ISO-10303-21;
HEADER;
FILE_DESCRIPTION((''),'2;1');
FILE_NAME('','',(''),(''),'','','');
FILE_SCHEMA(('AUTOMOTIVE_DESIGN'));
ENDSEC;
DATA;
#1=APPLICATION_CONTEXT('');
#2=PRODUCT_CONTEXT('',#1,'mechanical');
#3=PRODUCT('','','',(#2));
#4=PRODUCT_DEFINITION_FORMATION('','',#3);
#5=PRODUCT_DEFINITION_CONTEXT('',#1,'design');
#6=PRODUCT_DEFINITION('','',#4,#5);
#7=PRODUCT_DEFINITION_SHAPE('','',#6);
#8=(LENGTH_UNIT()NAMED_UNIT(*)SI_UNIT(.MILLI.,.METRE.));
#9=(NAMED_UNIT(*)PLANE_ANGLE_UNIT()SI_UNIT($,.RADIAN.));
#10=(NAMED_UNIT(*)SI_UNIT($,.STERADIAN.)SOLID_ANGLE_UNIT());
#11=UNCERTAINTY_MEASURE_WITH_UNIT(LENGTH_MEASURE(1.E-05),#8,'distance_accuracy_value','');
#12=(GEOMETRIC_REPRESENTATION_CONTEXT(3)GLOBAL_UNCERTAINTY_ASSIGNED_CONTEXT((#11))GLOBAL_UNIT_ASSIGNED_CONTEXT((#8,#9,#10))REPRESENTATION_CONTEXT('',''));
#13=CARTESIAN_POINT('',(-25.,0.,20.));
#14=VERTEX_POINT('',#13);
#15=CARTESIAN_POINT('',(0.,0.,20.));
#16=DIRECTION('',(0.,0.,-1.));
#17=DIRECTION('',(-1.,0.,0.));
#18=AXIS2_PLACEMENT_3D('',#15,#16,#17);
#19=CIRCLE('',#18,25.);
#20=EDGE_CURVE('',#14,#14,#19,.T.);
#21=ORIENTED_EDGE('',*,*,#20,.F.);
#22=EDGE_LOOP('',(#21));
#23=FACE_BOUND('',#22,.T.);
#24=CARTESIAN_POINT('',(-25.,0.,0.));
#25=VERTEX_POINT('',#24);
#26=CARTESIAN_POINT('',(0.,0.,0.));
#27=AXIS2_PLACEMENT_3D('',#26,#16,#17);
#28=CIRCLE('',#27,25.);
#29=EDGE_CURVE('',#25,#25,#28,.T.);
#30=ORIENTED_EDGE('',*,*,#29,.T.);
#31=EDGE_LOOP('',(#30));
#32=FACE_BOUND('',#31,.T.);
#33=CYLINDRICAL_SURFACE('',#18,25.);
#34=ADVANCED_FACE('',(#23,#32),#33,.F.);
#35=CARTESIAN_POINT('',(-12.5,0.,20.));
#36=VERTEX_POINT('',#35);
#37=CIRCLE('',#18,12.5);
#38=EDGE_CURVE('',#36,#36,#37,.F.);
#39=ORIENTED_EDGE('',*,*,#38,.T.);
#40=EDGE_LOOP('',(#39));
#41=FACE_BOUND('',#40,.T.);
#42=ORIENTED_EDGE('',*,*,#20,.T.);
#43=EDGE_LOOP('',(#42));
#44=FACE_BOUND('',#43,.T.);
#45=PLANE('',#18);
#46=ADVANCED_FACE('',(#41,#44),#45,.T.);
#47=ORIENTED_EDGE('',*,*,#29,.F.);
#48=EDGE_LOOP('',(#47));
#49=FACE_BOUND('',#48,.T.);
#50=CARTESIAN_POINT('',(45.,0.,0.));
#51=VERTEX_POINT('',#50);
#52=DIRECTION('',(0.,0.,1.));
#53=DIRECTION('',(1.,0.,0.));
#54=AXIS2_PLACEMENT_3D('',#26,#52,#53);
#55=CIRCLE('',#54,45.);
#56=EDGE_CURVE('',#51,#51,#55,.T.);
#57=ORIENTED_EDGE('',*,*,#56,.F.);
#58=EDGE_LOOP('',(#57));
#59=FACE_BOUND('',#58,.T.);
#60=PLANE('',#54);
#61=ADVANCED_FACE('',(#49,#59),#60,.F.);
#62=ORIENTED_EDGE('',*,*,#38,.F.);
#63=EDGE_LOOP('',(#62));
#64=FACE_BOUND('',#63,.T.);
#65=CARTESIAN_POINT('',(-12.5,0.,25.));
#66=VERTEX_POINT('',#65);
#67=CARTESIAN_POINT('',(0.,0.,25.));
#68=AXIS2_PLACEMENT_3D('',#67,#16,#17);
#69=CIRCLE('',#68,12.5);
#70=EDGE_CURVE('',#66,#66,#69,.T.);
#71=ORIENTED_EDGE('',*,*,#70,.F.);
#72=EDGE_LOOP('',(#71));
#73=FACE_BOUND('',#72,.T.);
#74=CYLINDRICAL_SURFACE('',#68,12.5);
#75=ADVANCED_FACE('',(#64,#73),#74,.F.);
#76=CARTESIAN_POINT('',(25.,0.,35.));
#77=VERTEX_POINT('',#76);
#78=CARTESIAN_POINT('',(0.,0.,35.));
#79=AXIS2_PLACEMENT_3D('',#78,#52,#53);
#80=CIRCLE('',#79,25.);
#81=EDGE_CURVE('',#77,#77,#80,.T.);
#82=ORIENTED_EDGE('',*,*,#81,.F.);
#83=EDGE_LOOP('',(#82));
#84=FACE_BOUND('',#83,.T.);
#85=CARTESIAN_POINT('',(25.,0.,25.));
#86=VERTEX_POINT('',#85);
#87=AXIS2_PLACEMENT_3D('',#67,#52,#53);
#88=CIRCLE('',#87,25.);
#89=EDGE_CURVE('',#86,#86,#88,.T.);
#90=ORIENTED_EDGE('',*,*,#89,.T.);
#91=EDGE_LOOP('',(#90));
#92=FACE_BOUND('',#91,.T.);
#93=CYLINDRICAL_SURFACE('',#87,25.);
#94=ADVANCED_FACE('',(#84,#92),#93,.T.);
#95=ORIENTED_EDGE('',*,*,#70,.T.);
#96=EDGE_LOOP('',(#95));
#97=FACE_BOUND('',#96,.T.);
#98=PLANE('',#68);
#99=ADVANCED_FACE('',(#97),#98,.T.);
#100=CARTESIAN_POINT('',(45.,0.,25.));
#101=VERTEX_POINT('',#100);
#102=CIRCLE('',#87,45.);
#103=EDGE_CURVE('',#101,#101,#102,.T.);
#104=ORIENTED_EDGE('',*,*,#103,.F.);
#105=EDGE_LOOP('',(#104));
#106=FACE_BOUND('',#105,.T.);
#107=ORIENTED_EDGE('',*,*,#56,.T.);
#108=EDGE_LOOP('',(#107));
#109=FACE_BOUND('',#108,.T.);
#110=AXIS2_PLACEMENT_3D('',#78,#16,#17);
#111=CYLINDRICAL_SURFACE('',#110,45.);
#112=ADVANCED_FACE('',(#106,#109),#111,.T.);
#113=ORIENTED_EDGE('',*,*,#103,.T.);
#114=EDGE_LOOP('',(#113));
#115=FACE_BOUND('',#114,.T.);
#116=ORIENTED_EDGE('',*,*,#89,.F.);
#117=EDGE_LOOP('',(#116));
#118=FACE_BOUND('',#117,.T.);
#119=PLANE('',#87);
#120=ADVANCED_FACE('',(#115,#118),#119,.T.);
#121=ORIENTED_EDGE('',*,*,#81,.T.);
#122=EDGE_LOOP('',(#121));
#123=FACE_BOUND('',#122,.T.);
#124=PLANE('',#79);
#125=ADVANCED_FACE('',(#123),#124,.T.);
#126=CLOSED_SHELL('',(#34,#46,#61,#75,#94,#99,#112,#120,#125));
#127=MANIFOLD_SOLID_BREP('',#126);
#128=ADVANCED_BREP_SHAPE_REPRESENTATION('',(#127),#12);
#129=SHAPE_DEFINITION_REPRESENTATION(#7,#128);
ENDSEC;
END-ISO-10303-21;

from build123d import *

# Parameters (mm, degrees)
SKETCH_1_R          = 45
EXTRUDE_1_DEPTH     = 35
SKETCH_4_R          = 12.5
CUT_EXTRUDE_3_DEPTH = 25
CUT_EXTRUDE_START   = -10
SKETCH_5_R          = 45
SKETCH_5_R_2        = 25
CUT_EXTRUDE_4_DEPTH = 10
SKETCH_6_R          = 25
CUT_EXTRUDE_6_DEPTH = 20


with BuildPart() as part:
    # Эскиз1 → Вытянуть1 (new body)
    with BuildSketch(Plane.XY):
        Circle(SKETCH_1_R)
    extrude(amount=EXTRUDE_1_DEPTH)

    # Эскиз4 → Вытянуть3 (cut)
    with BuildSketch(Plane(origin=(0, 0, 0), x_dir=(-1, 0, 0), z_dir=(0, 0, -1))):
        Circle(SKETCH_4_R)
    extrude(amount=-CUT_EXTRUDE_3_DEPTH, mode=Mode.SUBTRACT)

    # Эскиз5 → Вытянуть4 (cut)
    with BuildSketch(Plane.XY.offset(35).offset(CUT_EXTRUDE_START)):
        Circle(SKETCH_5_R)
        Circle(SKETCH_5_R_2, mode=Mode.SUBTRACT)
    extrude(amount=CUT_EXTRUDE_4_DEPTH, mode=Mode.SUBTRACT)

    # Эскиз6 → Вытянуть6 (cut)
    with BuildSketch(Plane(origin=(0, 0, 0), x_dir=(-1, 0, 0), z_dir=(0, 0, -1))):
        with Locations(Location((0, 0, 0), (0, 0, 180))):
            Circle(SKETCH_6_R)
    extrude(amount=-CUT_EXTRUDE_6_DEPTH, mode=Mode.SUBTRACT)


solid = part.part
